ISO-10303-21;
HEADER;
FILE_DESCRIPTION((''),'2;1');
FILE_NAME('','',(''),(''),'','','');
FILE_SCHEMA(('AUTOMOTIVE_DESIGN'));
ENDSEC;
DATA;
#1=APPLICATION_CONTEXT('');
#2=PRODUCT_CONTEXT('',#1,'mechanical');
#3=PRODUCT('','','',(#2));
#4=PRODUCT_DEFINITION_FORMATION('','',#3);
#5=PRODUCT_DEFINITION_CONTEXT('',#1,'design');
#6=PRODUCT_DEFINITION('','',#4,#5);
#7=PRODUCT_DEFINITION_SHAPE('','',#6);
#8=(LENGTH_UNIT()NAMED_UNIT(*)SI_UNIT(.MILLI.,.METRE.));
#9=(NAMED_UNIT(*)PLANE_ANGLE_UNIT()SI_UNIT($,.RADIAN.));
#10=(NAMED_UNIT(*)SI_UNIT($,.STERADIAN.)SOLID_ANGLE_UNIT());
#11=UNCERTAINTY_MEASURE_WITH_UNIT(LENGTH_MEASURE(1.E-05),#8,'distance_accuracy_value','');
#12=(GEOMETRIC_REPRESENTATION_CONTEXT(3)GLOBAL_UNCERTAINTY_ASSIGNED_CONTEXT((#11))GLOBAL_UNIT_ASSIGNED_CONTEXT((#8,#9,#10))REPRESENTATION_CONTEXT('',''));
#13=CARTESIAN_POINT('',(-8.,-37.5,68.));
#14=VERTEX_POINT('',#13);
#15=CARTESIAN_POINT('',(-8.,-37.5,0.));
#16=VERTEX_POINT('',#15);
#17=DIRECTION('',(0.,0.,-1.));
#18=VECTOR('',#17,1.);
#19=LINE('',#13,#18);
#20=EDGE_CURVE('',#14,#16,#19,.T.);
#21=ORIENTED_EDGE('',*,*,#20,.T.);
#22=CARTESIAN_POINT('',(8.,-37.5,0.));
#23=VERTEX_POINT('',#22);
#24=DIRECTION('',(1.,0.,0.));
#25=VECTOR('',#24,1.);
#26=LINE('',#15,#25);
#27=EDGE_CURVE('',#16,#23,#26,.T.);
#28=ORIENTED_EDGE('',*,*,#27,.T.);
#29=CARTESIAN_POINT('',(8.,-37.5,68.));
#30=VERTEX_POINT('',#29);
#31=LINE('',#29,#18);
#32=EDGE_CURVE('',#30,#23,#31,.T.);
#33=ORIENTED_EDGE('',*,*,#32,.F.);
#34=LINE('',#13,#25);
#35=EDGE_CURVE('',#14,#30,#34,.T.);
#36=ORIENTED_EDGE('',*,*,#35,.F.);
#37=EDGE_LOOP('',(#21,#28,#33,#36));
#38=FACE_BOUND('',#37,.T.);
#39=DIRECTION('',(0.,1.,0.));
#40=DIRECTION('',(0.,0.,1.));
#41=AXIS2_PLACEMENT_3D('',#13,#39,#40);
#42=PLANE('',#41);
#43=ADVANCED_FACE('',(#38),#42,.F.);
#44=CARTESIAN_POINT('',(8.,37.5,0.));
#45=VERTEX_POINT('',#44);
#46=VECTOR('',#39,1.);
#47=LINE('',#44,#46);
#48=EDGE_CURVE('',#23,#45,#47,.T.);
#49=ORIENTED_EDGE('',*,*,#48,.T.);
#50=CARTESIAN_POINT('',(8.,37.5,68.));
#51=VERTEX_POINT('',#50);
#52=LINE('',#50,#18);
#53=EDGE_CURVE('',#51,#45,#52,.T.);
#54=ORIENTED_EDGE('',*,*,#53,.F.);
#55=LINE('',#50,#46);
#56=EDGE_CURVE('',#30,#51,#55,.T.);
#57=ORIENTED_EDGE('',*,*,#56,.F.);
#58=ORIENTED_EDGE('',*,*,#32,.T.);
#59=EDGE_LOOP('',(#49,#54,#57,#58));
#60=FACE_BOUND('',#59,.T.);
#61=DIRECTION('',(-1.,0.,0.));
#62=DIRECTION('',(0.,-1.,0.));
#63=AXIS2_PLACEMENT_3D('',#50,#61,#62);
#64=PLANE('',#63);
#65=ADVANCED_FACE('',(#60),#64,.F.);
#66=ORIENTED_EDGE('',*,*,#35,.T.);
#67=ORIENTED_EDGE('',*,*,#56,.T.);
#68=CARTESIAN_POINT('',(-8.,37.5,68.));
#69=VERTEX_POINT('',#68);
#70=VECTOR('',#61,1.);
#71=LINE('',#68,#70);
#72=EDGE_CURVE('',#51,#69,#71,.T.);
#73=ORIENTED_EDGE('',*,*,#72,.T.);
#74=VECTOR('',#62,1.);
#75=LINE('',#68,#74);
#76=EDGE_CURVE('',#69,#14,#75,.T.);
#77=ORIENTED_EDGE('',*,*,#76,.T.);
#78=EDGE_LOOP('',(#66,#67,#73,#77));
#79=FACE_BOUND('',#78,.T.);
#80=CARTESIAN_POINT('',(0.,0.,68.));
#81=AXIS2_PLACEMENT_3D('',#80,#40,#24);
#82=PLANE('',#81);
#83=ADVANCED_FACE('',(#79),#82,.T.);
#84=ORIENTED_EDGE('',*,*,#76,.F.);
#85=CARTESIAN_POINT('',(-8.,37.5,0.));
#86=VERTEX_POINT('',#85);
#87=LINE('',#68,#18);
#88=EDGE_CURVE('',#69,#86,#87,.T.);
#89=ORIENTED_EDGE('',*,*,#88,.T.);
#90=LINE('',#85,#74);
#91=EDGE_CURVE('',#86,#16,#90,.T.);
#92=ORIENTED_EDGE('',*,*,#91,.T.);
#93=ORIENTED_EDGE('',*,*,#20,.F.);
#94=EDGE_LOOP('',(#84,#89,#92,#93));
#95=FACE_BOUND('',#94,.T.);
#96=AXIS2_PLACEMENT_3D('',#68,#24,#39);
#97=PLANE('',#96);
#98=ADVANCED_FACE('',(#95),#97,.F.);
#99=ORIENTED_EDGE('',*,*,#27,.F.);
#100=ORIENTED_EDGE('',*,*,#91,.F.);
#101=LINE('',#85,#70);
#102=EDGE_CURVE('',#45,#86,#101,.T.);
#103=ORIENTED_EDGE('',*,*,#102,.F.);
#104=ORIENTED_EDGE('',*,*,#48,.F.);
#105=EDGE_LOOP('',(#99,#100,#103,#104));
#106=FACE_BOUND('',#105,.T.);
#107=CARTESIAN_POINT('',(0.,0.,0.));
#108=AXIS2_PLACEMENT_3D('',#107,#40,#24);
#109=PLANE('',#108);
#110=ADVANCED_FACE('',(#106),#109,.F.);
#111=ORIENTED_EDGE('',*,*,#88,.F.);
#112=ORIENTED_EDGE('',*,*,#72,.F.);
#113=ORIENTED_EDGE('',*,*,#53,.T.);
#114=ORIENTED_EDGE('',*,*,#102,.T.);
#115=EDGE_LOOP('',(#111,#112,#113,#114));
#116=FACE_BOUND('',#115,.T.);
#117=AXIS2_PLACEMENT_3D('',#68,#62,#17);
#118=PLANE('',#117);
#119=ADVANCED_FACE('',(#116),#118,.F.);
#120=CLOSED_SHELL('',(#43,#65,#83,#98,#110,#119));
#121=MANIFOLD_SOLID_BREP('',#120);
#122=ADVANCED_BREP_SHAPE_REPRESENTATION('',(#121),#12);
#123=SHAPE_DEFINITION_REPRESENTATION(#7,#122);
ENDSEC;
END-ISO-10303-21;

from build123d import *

# Parameters (mm, degrees)
CROQUIS1_W              = 16
CROQUIS1_H              = 75
SALIENTE_EXTRUIR1_DEPTH = 68


with BuildPart() as part:
    # Croquis1 → Saliente-Extruir1 (new body)
    with BuildSketch(Plane.XY):
        Rectangle(CROQUIS1_W, CROQUIS1_H)
    extrude(amount=SALIENTE_EXTRUIR1_DEPTH)


solid = part.part
